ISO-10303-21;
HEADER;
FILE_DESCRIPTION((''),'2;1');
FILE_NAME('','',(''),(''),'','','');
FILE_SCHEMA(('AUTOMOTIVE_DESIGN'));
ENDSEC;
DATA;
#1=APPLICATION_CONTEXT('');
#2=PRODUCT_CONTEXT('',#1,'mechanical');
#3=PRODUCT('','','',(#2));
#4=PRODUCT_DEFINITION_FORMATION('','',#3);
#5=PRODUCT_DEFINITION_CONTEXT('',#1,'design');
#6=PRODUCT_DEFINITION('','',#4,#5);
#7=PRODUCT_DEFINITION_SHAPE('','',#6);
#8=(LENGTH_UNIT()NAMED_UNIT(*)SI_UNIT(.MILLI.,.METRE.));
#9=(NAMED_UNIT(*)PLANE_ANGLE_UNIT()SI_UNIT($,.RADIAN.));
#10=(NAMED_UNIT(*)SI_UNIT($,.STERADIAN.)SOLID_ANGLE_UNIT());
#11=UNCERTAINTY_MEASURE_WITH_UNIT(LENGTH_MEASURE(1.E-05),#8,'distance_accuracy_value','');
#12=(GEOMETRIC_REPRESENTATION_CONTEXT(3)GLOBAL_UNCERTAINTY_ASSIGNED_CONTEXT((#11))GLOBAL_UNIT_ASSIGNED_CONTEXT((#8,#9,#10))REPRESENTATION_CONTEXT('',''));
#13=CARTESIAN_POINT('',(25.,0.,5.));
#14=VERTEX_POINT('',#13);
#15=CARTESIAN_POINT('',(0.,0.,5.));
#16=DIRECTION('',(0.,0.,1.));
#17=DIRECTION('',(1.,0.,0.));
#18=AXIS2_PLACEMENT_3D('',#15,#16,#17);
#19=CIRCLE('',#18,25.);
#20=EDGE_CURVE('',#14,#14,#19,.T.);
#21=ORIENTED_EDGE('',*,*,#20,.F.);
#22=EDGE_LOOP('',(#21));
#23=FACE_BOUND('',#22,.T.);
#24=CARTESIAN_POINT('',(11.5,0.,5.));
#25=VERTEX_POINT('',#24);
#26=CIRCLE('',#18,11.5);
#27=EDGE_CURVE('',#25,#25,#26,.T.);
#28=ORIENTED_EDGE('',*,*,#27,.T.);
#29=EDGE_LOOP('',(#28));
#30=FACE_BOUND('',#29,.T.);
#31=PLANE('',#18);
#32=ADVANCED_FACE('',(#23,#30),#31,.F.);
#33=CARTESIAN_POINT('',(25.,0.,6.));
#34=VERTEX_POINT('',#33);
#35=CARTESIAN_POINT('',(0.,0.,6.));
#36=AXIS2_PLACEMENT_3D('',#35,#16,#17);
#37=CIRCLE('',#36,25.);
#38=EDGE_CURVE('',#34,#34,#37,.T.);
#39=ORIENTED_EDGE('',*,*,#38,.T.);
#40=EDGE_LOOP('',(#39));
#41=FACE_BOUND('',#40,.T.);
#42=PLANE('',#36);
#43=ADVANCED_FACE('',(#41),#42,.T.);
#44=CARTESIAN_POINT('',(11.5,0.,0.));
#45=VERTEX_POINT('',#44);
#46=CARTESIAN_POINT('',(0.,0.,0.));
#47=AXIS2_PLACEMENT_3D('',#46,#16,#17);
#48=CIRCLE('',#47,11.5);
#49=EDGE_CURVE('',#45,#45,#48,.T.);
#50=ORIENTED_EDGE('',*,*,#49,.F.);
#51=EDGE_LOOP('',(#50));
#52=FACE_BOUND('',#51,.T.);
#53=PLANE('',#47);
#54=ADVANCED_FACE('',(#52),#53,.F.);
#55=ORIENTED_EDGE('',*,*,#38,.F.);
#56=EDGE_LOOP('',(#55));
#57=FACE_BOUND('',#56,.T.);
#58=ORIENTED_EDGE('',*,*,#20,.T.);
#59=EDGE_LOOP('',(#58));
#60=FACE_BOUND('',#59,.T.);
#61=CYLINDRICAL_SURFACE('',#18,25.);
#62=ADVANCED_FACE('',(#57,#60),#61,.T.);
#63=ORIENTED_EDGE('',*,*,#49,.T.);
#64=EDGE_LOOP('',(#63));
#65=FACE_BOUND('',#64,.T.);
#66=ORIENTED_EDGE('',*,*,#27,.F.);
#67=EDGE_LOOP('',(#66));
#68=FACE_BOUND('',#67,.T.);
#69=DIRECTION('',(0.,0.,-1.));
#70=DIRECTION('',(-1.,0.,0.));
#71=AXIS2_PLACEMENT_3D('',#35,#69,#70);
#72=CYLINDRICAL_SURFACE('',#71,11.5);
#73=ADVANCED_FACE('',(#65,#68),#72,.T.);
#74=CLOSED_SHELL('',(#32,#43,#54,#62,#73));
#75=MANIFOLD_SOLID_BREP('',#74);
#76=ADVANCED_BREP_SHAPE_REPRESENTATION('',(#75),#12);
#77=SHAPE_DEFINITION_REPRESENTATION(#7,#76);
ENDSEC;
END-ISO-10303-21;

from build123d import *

# Parameters (mm, degrees)
ESQUISSE1_R        = 11.5
BOSS_EXTRU_1_DEPTH = 6
ESQUISSE2_R        = 25
ESQUISSE2_R_2      = 7.5
BOSS_EXTRU_2_DEPTH = 1


with BuildPart() as part:
    # Esquisse1 → Boss.-Extru.1 (new body)
    with BuildSketch(Plane.XY):
        Circle(ESQUISSE1_R)
    extrude(amount=BOSS_EXTRU_1_DEPTH)

    # Esquisse2 → Boss.-Extru.2 (add)
    with BuildSketch(Plane.XY.offset(6)):
        Circle(ESQUISSE2_R)
        Circle(ESQUISSE2_R_2, mode=Mode.SUBTRACT)
    extrude(amount=-BOSS_EXTRU_2_DEPTH)


solid = part.part
